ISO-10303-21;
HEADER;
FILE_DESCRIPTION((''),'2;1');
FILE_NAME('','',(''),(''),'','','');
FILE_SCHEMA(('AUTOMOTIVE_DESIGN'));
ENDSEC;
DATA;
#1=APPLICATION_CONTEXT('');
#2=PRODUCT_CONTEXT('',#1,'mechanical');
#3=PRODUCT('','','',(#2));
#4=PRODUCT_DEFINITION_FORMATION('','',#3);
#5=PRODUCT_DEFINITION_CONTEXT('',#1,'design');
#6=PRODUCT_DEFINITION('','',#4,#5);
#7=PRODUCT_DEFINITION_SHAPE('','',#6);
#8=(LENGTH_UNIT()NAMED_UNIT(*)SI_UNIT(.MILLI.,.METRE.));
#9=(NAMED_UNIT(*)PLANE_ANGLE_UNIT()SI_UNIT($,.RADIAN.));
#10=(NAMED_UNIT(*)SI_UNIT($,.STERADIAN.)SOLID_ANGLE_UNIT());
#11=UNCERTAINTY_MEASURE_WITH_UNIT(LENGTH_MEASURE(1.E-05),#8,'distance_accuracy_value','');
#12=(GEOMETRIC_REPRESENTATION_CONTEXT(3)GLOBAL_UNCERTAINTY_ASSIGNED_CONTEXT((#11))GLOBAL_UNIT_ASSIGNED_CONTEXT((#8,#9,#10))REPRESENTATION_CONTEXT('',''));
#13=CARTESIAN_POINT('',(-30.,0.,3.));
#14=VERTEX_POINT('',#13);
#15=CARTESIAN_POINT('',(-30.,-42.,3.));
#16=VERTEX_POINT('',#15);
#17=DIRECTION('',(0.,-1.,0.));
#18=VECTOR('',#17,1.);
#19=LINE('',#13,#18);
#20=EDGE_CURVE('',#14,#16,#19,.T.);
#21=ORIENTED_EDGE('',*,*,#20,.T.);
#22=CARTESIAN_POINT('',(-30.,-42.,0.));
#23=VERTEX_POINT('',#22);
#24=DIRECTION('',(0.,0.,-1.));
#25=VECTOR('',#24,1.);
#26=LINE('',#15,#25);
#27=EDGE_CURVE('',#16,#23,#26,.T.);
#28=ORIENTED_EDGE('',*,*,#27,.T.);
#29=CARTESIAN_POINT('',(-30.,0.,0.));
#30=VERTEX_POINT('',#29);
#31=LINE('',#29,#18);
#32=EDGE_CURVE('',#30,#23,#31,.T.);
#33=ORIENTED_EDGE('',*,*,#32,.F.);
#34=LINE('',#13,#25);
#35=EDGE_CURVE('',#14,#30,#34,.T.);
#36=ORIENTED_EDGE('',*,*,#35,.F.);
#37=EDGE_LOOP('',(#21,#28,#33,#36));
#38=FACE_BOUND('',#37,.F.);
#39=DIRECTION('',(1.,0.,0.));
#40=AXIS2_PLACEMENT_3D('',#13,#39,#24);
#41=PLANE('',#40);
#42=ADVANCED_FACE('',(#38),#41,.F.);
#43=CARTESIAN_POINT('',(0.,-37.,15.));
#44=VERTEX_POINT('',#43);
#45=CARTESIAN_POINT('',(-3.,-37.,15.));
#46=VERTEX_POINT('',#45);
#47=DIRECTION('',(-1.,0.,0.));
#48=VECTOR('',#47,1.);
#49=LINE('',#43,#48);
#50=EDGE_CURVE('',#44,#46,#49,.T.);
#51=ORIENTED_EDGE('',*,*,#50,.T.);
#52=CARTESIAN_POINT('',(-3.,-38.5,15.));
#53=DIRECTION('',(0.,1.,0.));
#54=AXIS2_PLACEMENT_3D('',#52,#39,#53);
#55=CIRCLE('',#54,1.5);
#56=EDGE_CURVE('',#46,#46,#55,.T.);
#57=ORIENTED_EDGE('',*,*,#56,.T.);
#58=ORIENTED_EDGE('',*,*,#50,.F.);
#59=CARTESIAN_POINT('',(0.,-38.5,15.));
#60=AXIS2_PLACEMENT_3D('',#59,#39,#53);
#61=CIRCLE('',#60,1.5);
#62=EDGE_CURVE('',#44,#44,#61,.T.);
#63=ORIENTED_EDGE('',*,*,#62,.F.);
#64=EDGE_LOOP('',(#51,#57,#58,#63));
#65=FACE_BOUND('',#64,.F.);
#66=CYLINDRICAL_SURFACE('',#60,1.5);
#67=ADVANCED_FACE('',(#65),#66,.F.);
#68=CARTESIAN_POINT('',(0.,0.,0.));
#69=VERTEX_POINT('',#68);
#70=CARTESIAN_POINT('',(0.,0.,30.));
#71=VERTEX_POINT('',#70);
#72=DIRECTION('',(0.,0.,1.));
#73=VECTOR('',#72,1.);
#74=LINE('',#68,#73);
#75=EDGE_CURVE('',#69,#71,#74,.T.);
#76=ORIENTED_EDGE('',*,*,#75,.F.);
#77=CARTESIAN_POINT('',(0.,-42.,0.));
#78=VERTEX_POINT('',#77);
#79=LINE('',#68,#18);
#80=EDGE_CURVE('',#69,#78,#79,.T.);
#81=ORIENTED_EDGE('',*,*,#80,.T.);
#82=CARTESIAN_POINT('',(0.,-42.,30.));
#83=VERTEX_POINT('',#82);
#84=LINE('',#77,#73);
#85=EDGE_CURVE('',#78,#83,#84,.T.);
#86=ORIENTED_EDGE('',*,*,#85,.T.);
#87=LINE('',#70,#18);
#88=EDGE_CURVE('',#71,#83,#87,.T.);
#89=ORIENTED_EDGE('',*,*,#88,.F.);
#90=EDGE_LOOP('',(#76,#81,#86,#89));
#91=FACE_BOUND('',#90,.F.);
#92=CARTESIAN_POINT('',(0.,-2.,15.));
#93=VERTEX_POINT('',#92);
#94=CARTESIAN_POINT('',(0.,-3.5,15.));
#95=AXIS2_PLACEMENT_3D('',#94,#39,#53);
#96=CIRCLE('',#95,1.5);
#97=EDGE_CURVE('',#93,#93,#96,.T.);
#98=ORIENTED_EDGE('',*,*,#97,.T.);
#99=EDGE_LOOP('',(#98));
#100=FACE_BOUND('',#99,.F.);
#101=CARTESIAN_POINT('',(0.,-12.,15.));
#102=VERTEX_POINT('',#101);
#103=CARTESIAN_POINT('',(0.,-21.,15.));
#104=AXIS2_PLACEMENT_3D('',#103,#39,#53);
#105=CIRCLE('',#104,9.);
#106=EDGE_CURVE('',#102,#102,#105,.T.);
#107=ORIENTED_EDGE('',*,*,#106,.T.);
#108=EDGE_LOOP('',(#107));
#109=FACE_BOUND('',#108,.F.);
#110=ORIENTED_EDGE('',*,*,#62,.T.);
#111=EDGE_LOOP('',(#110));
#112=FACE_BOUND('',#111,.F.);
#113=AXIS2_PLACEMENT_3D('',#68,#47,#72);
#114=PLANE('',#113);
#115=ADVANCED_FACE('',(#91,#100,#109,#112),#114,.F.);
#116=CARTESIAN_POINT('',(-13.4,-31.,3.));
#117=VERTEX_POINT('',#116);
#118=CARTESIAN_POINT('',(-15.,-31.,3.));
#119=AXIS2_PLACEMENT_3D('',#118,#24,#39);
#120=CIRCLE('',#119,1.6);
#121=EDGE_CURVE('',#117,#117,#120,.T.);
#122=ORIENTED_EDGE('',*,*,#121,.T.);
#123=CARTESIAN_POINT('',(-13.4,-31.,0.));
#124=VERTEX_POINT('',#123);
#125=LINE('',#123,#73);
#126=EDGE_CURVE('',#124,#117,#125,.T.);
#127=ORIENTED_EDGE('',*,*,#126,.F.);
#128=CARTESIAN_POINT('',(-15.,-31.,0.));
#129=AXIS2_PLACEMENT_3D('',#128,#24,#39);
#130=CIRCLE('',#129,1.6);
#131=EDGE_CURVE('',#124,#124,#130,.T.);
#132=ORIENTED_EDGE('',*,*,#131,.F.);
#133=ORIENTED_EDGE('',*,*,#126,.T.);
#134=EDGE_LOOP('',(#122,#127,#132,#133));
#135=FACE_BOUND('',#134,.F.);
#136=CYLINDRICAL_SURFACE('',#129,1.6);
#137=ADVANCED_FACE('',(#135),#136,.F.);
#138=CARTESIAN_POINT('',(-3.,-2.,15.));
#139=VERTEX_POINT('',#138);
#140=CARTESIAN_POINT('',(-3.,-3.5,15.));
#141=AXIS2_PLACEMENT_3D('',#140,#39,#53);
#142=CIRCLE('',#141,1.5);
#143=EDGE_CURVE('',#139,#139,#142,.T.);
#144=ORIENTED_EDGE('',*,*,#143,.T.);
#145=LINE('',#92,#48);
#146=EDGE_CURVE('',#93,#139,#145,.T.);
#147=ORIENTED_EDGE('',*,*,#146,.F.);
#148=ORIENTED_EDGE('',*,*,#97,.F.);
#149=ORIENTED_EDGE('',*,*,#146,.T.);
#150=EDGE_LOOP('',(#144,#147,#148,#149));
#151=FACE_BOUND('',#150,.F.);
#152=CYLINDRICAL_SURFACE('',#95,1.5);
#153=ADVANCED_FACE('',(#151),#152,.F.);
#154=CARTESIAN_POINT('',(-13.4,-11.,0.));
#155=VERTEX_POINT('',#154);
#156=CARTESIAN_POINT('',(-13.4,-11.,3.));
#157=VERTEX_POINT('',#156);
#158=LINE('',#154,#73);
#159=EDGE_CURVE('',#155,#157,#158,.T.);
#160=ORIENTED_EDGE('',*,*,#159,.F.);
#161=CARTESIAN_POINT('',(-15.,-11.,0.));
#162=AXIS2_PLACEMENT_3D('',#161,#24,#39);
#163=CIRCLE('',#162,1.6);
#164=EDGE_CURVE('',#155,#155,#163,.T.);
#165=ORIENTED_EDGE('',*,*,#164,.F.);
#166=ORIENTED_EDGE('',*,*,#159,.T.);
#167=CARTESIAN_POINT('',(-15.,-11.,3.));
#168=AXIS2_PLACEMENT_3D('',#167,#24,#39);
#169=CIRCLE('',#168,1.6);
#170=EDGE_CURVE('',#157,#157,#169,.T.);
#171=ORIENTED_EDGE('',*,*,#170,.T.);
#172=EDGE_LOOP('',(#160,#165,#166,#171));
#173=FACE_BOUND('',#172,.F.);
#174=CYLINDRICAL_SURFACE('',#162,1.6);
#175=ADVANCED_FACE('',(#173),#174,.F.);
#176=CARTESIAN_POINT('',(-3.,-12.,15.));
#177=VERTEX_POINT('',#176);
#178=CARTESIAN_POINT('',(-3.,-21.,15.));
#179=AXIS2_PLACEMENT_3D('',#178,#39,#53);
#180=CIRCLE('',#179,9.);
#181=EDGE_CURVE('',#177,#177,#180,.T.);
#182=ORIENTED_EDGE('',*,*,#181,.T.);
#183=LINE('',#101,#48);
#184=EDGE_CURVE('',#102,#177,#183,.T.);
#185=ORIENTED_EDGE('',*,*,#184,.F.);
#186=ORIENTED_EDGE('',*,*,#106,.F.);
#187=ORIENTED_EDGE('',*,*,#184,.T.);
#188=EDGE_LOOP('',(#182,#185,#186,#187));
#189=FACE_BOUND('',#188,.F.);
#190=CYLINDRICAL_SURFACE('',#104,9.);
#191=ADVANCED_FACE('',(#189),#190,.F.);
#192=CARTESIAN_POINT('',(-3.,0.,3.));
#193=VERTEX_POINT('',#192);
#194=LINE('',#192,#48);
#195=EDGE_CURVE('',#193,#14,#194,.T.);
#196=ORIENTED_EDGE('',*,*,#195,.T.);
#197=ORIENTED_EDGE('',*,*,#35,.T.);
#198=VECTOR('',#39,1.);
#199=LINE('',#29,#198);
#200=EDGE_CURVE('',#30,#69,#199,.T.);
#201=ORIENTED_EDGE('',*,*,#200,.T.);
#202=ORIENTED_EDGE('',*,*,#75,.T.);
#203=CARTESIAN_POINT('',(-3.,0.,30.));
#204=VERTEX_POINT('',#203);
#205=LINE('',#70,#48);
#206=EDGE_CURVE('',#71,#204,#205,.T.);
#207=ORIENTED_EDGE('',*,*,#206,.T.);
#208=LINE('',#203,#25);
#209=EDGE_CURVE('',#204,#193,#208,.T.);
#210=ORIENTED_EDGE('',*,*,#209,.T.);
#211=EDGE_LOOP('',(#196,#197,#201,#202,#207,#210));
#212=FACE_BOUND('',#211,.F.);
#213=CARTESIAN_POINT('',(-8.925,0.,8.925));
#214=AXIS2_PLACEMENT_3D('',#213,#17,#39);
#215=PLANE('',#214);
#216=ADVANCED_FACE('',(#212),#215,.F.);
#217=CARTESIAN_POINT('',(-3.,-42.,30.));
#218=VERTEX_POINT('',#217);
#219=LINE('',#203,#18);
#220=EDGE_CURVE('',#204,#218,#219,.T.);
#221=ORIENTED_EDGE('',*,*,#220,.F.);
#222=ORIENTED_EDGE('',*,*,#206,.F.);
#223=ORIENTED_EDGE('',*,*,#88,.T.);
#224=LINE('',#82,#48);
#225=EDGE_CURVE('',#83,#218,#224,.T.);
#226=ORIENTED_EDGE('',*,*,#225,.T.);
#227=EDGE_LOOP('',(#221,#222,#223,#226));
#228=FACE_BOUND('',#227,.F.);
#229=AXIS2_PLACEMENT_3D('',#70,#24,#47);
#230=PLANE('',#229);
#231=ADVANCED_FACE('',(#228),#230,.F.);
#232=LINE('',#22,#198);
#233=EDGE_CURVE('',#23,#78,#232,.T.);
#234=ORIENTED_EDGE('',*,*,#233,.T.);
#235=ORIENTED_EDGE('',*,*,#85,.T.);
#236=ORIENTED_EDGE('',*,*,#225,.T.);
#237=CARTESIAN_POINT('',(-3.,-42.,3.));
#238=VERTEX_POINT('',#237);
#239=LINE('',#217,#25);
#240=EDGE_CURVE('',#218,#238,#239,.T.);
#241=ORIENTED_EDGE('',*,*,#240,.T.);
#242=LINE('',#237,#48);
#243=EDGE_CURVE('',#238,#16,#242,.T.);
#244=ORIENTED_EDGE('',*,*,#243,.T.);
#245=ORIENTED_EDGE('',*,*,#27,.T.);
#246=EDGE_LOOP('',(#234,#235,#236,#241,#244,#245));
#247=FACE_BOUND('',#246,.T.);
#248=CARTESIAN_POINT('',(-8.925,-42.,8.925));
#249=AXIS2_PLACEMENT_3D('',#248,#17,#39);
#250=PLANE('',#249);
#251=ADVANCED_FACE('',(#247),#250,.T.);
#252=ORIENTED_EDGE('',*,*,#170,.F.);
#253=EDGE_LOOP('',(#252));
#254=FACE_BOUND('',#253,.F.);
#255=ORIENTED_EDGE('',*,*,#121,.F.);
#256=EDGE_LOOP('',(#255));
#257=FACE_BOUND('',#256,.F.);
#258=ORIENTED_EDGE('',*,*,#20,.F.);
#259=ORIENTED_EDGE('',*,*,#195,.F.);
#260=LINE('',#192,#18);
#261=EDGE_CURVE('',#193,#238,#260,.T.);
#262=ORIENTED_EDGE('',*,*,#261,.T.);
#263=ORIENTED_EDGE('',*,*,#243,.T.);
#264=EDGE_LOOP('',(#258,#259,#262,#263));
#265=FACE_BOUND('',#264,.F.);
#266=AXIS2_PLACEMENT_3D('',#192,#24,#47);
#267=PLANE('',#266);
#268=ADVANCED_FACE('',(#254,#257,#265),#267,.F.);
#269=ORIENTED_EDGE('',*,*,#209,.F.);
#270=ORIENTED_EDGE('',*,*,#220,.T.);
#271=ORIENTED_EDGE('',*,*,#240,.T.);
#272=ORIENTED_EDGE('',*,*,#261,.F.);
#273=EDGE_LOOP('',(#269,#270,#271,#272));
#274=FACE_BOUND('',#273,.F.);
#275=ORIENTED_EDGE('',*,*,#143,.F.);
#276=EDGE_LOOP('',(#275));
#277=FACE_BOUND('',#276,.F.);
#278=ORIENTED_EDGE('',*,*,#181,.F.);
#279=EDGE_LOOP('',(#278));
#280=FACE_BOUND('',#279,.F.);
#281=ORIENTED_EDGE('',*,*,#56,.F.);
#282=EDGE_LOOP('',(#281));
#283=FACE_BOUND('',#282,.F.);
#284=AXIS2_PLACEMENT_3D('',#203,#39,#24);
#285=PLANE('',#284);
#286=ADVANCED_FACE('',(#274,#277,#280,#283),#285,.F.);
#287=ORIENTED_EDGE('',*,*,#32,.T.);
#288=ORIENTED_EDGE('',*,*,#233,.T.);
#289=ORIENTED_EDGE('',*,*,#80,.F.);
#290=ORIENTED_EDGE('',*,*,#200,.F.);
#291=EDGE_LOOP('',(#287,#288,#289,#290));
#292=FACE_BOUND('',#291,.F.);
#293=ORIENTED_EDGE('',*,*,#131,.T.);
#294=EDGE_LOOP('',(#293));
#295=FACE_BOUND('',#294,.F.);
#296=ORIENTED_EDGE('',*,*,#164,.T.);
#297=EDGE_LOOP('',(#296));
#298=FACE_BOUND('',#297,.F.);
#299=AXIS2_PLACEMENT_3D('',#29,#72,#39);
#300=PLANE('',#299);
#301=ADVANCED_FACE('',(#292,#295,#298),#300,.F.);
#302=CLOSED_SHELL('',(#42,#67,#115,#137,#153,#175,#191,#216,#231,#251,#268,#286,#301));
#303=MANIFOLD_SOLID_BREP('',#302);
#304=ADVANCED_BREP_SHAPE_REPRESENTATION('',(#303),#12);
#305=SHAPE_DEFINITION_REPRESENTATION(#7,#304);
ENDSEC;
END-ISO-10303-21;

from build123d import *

# Parameters (mm, degrees)
F1_DEPTH = 42
F2_R     = 9
F2_R_2   = 1.5
F3_DEPTH = 30.001
F4_R     = 1.6
F5_DEPTH = 30.001


with BuildPart() as f1:
    # F0 (on Front) → F1 (new body)
    with BuildSketch(Plane.XZ):
        Polygon((0, 0), (0, 30), (-3, 30), (-3, 3), (-30, 3), (-30, 0), align=None)
    extrude(amount=F1_DEPTH)

    # F2 (on face) → F3 (cut, through all)
    with BuildSketch(Plane.YZ):
        with Locations((-21, 15)):
            Circle(F2_R)
        with Locations((-3.5, 15)):
            Circle(F2_R_2)
        with Locations((-38.5, 15)):
            Circle(F2_R_2)
    extrude(amount=-F3_DEPTH, mode=Mode.SUBTRACT)

    # F4 (on face) → F5 (cut, through all)
    with BuildSketch(Plane(origin=(0, 0, 0), x_dir=(1, 0, 0), z_dir=(0, 0, -1))):
        with Locations((-15, 11)):
            Circle(F4_R)
        with Locations((-15, 31)):
            Circle(F4_R)
    extrude(amount=-F5_DEPTH, mode=Mode.SUBTRACT)


solid = f1.part
